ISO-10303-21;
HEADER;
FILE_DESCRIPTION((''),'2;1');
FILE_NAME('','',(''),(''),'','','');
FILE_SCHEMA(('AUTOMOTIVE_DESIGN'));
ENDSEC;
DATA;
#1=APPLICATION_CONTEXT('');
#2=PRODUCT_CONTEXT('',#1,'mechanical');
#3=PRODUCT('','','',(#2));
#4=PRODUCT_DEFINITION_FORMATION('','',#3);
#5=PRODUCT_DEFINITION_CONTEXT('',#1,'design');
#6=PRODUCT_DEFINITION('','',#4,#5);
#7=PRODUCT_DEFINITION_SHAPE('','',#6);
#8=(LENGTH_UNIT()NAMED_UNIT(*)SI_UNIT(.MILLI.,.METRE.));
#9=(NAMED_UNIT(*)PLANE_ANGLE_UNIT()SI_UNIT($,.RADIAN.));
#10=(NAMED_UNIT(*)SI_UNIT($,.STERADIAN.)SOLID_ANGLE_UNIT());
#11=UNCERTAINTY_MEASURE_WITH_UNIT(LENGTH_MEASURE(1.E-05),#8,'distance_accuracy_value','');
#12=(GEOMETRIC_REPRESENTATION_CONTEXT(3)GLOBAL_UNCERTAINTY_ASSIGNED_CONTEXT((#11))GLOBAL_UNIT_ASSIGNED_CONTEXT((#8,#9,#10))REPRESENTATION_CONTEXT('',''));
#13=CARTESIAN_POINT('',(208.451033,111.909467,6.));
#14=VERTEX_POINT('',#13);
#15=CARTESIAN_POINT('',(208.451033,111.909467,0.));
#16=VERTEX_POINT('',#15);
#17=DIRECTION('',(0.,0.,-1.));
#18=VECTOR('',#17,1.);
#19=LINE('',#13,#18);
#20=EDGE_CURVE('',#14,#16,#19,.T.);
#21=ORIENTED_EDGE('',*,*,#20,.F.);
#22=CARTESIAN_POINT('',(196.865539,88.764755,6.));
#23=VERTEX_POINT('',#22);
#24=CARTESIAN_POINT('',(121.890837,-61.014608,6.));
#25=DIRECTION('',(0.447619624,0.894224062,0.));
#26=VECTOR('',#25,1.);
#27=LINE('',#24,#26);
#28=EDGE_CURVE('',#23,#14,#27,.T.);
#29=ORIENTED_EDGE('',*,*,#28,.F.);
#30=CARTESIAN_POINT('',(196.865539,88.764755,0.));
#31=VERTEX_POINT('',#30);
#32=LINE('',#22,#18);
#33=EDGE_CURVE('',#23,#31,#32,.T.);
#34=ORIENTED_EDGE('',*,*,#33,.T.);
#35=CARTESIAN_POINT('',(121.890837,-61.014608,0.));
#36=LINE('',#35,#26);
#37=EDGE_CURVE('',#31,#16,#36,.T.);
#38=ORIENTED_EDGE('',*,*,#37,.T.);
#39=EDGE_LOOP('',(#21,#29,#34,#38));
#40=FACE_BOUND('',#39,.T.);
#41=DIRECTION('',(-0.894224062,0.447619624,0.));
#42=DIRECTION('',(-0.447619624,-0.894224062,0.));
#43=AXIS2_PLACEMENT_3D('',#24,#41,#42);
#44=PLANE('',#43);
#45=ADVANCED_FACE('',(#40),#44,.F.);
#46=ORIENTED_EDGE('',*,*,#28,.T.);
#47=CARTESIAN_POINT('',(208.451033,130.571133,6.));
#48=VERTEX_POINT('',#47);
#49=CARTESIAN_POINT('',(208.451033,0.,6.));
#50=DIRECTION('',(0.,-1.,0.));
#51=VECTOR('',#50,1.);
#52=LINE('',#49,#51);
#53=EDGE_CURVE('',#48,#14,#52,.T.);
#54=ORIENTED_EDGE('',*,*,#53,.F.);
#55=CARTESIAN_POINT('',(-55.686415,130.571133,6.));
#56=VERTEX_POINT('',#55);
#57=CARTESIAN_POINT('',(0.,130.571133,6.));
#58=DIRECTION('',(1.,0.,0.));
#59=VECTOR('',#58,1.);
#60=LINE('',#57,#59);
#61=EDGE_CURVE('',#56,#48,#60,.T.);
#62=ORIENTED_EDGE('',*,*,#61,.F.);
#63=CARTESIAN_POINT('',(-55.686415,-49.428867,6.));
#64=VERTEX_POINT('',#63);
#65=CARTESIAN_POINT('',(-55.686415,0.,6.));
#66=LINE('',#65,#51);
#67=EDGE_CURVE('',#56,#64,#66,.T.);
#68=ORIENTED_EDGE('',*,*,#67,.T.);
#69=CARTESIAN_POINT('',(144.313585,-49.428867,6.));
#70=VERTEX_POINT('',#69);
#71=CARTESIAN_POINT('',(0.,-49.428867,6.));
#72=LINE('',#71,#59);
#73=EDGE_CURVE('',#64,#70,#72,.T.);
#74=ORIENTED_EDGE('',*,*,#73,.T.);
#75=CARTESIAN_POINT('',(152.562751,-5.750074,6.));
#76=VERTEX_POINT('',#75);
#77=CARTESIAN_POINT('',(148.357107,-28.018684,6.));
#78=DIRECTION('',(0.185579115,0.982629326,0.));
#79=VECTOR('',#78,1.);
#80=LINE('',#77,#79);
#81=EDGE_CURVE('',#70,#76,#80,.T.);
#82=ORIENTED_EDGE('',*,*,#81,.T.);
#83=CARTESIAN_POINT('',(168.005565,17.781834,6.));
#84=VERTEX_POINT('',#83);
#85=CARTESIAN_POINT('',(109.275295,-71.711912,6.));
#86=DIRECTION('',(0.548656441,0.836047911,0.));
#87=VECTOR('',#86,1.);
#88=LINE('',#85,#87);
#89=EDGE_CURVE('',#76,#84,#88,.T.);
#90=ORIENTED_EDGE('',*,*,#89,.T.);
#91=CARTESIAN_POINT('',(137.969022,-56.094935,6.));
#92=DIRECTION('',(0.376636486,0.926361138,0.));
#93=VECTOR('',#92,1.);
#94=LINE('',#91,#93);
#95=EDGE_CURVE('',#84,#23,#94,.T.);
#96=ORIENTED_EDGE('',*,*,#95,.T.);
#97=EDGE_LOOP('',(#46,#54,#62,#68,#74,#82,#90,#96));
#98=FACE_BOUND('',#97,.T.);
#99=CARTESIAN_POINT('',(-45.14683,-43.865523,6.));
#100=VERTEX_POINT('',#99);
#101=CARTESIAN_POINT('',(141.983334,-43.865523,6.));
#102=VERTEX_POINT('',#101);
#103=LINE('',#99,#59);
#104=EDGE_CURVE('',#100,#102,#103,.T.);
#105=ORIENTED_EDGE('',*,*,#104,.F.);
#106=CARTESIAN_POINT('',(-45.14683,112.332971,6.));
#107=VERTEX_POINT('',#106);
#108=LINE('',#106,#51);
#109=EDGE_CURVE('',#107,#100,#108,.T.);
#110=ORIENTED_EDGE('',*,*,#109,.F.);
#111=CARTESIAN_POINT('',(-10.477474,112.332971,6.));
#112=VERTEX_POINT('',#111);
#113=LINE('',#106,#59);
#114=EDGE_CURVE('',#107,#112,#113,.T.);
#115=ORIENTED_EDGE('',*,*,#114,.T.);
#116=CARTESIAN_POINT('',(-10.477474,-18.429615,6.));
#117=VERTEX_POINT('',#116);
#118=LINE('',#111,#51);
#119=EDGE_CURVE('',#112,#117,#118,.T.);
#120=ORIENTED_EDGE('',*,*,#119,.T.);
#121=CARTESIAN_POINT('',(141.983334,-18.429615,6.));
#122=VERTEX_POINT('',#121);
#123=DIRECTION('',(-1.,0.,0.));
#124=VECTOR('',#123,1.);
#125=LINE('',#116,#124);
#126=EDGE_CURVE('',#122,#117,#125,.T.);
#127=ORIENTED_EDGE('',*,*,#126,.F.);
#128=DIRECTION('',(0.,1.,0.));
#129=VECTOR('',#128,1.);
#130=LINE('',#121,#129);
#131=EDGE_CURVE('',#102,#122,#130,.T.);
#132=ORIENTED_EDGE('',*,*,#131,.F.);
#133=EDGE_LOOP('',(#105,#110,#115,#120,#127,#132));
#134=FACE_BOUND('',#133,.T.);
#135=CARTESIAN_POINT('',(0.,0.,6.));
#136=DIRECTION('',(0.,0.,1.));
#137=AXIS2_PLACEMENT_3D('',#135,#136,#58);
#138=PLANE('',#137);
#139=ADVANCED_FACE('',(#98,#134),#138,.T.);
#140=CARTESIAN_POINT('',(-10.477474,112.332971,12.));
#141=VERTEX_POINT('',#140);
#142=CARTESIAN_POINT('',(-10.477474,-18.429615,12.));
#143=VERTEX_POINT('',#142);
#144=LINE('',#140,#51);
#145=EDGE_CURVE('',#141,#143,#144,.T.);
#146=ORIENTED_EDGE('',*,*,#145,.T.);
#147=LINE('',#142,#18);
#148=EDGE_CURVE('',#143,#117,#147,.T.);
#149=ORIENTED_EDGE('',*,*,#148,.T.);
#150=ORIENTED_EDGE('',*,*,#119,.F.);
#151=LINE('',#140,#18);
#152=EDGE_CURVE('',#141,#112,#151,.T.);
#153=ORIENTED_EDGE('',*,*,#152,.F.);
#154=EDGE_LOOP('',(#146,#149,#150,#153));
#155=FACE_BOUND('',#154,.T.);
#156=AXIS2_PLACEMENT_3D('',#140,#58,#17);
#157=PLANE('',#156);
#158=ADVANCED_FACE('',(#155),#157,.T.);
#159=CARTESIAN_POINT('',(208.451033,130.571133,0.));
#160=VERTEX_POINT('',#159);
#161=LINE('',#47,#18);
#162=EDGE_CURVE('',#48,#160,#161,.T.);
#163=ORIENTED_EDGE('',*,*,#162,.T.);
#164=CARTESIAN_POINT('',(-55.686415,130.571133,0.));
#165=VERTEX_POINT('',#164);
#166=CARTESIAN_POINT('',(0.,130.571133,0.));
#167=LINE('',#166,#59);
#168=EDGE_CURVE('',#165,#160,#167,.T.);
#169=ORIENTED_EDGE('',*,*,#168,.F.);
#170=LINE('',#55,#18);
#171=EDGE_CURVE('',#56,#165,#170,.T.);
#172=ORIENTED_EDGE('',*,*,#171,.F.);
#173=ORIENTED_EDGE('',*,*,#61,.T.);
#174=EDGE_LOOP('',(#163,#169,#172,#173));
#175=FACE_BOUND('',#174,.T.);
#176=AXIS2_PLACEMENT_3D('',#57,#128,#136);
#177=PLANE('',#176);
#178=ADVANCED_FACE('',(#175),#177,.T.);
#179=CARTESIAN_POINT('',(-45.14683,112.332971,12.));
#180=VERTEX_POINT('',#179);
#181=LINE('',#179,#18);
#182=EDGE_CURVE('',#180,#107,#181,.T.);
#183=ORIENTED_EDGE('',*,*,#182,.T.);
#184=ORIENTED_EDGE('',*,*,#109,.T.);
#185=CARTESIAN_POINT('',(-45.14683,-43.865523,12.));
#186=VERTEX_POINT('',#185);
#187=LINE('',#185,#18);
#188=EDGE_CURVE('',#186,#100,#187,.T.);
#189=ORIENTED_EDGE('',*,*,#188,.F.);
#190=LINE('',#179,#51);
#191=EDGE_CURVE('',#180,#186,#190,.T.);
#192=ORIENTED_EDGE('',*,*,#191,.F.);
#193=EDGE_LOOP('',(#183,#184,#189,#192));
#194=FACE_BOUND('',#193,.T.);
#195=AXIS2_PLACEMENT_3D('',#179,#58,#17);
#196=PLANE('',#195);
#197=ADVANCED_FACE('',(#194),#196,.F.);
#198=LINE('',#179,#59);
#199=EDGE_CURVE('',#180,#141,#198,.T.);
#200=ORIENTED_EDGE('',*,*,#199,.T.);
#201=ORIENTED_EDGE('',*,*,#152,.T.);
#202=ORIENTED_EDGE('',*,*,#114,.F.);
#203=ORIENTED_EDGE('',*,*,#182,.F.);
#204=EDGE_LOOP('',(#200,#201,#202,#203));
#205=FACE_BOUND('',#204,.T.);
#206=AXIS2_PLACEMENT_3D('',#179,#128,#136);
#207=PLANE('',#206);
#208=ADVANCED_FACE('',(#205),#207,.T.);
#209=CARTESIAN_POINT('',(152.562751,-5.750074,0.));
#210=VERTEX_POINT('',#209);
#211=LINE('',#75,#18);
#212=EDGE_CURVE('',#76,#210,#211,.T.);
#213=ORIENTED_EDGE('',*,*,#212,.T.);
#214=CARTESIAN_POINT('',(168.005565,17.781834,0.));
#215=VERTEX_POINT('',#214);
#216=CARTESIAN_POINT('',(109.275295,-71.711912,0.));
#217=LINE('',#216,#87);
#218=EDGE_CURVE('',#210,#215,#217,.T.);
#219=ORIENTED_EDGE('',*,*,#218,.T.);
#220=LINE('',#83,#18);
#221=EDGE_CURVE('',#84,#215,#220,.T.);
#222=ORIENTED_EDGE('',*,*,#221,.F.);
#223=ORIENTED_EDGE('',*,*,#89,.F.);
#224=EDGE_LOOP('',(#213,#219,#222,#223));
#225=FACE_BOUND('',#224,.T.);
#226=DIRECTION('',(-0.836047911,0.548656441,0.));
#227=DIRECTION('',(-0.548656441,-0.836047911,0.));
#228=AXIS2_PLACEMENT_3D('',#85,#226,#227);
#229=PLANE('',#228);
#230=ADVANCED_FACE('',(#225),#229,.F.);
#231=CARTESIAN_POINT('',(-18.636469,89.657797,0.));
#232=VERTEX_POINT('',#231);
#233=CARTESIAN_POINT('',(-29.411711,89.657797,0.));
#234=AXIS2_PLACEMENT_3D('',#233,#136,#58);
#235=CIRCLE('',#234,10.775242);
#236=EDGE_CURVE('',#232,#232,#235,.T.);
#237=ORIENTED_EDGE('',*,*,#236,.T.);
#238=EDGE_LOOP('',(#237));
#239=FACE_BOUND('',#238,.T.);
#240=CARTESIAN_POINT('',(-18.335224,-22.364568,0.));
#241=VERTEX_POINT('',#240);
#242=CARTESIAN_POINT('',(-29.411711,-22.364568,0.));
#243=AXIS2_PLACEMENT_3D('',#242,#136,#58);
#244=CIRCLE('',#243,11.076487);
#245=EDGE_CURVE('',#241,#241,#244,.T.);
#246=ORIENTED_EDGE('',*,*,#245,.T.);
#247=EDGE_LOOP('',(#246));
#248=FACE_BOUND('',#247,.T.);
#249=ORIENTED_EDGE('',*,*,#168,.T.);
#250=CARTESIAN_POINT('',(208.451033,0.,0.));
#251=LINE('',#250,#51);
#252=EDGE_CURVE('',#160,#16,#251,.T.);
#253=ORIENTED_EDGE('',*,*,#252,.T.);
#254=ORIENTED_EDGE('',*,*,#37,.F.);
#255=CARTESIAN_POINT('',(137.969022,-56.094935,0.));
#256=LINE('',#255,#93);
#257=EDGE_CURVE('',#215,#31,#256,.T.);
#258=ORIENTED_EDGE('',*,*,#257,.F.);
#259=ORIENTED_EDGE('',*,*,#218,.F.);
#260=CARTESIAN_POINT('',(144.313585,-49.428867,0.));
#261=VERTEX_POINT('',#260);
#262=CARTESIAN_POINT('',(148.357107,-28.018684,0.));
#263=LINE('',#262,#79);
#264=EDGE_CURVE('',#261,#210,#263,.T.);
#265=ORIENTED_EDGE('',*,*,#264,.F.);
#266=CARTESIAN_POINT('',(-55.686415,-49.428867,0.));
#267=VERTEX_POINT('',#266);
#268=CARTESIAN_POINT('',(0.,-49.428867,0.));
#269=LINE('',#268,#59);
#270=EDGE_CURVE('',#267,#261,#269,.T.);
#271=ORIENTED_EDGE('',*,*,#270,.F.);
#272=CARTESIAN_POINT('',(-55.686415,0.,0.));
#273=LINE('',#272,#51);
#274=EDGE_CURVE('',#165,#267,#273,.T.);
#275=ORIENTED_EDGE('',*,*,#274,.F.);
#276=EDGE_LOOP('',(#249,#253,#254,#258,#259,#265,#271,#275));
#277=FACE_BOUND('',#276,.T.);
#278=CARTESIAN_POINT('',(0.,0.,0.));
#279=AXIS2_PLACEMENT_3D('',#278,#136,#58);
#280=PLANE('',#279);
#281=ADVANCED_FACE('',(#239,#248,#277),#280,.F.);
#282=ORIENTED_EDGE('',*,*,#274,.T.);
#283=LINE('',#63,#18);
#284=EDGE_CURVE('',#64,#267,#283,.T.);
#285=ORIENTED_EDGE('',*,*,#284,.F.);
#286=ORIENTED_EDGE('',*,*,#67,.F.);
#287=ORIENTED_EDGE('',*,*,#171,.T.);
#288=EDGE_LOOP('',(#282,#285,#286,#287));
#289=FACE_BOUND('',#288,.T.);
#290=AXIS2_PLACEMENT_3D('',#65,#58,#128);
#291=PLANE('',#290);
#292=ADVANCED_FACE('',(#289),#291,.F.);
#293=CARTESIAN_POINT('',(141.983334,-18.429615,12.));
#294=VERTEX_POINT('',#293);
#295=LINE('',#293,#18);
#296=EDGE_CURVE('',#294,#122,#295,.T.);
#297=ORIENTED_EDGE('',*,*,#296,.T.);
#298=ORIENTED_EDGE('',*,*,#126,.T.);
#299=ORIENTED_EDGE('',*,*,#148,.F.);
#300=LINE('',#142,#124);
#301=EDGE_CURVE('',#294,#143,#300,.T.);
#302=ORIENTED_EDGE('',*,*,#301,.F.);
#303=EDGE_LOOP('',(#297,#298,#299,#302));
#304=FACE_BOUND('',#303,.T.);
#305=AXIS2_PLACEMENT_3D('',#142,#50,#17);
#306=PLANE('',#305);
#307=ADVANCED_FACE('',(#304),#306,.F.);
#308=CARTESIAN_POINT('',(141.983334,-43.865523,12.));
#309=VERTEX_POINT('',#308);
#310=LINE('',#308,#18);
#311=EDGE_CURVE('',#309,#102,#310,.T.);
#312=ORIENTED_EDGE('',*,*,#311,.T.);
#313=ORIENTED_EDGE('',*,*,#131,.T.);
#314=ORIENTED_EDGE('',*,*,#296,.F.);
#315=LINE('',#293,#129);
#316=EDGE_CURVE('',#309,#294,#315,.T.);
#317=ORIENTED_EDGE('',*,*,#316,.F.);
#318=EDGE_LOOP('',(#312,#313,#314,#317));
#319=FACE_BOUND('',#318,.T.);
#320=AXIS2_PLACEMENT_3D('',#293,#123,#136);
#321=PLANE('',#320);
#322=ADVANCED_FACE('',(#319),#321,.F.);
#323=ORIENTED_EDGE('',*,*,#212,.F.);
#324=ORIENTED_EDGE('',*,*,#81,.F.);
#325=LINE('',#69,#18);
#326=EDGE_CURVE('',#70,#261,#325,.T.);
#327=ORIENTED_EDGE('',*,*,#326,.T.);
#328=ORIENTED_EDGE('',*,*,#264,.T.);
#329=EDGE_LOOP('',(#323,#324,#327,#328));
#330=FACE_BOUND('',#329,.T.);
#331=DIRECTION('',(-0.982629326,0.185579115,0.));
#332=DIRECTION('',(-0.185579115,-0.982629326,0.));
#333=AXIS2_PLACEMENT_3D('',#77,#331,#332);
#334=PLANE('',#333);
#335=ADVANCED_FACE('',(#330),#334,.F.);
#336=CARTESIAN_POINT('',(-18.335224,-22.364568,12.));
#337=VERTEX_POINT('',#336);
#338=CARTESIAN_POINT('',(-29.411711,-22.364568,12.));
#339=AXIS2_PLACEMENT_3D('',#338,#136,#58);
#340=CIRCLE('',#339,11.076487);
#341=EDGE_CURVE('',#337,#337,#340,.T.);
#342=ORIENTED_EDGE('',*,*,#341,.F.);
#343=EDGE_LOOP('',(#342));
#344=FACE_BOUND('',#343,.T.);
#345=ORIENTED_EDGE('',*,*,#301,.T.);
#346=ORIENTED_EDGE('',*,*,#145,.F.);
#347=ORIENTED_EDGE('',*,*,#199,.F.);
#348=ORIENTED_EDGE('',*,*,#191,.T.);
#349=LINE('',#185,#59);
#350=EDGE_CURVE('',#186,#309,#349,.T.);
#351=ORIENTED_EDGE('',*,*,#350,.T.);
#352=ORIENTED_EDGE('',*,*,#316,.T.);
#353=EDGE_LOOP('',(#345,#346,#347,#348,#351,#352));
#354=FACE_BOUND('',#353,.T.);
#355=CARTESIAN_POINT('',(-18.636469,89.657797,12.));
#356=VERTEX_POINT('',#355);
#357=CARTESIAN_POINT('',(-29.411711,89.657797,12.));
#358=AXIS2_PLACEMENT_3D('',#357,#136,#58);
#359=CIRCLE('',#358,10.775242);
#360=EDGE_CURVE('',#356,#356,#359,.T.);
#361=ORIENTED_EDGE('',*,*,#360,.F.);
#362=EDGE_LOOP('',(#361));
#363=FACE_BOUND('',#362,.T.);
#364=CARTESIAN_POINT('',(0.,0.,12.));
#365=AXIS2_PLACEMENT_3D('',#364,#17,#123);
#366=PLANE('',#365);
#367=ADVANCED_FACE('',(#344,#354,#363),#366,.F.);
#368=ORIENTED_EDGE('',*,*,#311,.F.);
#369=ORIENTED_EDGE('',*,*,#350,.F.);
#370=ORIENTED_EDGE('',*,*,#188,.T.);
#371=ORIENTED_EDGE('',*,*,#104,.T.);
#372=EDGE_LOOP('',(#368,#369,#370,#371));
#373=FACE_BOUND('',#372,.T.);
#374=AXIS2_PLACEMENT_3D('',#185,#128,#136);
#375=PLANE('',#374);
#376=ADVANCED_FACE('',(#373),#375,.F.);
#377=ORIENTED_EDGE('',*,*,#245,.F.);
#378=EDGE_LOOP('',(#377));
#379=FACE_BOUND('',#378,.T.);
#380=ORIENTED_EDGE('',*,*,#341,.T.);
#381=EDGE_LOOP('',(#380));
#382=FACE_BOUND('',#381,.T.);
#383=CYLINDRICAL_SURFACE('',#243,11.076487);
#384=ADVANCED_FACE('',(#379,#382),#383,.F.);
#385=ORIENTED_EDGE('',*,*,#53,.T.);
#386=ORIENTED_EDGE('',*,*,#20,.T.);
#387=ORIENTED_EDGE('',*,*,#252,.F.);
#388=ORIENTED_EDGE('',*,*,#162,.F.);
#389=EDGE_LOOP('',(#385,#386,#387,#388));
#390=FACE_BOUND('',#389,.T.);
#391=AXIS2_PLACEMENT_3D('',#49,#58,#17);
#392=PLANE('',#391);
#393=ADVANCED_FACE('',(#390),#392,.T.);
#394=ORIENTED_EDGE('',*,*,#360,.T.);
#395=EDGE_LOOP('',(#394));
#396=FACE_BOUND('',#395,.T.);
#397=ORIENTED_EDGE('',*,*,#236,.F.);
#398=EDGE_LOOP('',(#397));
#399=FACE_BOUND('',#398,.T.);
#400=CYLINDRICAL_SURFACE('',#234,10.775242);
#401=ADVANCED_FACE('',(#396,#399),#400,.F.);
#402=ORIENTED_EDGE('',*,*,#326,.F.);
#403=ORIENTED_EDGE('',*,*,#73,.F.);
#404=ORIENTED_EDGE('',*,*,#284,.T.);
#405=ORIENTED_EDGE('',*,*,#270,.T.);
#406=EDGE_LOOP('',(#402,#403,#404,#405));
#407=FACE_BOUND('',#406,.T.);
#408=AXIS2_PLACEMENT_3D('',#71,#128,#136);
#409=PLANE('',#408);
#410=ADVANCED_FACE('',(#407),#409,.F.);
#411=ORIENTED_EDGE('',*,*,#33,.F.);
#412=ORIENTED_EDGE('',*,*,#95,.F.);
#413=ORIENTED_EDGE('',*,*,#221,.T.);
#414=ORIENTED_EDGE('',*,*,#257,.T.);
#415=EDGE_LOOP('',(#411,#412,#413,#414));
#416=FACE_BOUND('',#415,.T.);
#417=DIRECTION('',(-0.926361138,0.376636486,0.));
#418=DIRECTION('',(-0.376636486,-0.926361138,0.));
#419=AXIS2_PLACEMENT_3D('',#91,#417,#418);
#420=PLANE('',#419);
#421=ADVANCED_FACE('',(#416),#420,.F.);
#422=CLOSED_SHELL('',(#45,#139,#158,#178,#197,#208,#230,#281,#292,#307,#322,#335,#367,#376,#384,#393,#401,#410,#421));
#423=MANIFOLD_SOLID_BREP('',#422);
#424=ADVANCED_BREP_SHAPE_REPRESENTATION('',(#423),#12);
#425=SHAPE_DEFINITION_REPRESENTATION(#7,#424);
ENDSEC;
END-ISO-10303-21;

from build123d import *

# Parameters (mm, degrees)
SALIENTE_EXTRUIR1_DEPTH = 6
CROQUIS2_W              = 34.669355488
CROQUIS2_H              = 156.198494079
SALIENTE_EXTRUIR2_DEPTH = 6
CROQUIS4_W              = 152.460808534
CROQUIS4_H              = 25.435907393
SALIENTE_EXTRUIR3_DEPTH = 6
CROQUIS5_R              = 11.076486621
CROQUIS5_R_2            = 10.775241997
CORTAR_EXTRUIR1_DEPTH   = 12


with BuildPart() as part:
    # Croquis1 → Saliente-Extruir1 (new body)
    with BuildSketch(Plane.XY):
        Polygon((182.356839795, 53.079696336), (196.865539042, 88.764755078), (208.451032663, 111.909466833), (208.451032663, 130.571133231), (182.356839795, 130.571133231), (-55.686414529, 130.571133231), (-55.686414529, -49.428866769), (144.313585471, -49.428866769), (152.562750691, -5.750074162), (168.005565446, 17.781834037), align=None)
    extrude(amount=SALIENTE_EXTRUIR1_DEPTH)

    # Croquis2 → Saliente-Extruir2 (add)
    with BuildSketch(Plane.XY.offset(6)):
        with Locations((-27.81215178, 34.233724164)):
            Rectangle(CROQUIS2_W, CROQUIS2_H)
    extrude(amount=SALIENTE_EXTRUIR2_DEPTH)

    # Croquis4 → Saliente-Extruir3 (add)
    with BuildSketch(Plane.XY.offset(6)):
        with Locations((65.752930231, -31.14756918)):
            Rectangle(CROQUIS4_W, CROQUIS4_H)
    extrude(amount=SALIENTE_EXTRUIR3_DEPTH)

    # Croquis5 → Cortar-Extruir1 (cut)
    with BuildSketch(Plane.XY.offset(12)):
        with Locations((-29.411710595, -22.364568106)):
            Circle(CROQUIS5_R)
        with Locations((-29.411710595, 89.657796537)):
            Circle(CROQUIS5_R_2)
    extrude(amount=-CORTAR_EXTRUIR1_DEPTH, mode=Mode.SUBTRACT)


solid = part.part
